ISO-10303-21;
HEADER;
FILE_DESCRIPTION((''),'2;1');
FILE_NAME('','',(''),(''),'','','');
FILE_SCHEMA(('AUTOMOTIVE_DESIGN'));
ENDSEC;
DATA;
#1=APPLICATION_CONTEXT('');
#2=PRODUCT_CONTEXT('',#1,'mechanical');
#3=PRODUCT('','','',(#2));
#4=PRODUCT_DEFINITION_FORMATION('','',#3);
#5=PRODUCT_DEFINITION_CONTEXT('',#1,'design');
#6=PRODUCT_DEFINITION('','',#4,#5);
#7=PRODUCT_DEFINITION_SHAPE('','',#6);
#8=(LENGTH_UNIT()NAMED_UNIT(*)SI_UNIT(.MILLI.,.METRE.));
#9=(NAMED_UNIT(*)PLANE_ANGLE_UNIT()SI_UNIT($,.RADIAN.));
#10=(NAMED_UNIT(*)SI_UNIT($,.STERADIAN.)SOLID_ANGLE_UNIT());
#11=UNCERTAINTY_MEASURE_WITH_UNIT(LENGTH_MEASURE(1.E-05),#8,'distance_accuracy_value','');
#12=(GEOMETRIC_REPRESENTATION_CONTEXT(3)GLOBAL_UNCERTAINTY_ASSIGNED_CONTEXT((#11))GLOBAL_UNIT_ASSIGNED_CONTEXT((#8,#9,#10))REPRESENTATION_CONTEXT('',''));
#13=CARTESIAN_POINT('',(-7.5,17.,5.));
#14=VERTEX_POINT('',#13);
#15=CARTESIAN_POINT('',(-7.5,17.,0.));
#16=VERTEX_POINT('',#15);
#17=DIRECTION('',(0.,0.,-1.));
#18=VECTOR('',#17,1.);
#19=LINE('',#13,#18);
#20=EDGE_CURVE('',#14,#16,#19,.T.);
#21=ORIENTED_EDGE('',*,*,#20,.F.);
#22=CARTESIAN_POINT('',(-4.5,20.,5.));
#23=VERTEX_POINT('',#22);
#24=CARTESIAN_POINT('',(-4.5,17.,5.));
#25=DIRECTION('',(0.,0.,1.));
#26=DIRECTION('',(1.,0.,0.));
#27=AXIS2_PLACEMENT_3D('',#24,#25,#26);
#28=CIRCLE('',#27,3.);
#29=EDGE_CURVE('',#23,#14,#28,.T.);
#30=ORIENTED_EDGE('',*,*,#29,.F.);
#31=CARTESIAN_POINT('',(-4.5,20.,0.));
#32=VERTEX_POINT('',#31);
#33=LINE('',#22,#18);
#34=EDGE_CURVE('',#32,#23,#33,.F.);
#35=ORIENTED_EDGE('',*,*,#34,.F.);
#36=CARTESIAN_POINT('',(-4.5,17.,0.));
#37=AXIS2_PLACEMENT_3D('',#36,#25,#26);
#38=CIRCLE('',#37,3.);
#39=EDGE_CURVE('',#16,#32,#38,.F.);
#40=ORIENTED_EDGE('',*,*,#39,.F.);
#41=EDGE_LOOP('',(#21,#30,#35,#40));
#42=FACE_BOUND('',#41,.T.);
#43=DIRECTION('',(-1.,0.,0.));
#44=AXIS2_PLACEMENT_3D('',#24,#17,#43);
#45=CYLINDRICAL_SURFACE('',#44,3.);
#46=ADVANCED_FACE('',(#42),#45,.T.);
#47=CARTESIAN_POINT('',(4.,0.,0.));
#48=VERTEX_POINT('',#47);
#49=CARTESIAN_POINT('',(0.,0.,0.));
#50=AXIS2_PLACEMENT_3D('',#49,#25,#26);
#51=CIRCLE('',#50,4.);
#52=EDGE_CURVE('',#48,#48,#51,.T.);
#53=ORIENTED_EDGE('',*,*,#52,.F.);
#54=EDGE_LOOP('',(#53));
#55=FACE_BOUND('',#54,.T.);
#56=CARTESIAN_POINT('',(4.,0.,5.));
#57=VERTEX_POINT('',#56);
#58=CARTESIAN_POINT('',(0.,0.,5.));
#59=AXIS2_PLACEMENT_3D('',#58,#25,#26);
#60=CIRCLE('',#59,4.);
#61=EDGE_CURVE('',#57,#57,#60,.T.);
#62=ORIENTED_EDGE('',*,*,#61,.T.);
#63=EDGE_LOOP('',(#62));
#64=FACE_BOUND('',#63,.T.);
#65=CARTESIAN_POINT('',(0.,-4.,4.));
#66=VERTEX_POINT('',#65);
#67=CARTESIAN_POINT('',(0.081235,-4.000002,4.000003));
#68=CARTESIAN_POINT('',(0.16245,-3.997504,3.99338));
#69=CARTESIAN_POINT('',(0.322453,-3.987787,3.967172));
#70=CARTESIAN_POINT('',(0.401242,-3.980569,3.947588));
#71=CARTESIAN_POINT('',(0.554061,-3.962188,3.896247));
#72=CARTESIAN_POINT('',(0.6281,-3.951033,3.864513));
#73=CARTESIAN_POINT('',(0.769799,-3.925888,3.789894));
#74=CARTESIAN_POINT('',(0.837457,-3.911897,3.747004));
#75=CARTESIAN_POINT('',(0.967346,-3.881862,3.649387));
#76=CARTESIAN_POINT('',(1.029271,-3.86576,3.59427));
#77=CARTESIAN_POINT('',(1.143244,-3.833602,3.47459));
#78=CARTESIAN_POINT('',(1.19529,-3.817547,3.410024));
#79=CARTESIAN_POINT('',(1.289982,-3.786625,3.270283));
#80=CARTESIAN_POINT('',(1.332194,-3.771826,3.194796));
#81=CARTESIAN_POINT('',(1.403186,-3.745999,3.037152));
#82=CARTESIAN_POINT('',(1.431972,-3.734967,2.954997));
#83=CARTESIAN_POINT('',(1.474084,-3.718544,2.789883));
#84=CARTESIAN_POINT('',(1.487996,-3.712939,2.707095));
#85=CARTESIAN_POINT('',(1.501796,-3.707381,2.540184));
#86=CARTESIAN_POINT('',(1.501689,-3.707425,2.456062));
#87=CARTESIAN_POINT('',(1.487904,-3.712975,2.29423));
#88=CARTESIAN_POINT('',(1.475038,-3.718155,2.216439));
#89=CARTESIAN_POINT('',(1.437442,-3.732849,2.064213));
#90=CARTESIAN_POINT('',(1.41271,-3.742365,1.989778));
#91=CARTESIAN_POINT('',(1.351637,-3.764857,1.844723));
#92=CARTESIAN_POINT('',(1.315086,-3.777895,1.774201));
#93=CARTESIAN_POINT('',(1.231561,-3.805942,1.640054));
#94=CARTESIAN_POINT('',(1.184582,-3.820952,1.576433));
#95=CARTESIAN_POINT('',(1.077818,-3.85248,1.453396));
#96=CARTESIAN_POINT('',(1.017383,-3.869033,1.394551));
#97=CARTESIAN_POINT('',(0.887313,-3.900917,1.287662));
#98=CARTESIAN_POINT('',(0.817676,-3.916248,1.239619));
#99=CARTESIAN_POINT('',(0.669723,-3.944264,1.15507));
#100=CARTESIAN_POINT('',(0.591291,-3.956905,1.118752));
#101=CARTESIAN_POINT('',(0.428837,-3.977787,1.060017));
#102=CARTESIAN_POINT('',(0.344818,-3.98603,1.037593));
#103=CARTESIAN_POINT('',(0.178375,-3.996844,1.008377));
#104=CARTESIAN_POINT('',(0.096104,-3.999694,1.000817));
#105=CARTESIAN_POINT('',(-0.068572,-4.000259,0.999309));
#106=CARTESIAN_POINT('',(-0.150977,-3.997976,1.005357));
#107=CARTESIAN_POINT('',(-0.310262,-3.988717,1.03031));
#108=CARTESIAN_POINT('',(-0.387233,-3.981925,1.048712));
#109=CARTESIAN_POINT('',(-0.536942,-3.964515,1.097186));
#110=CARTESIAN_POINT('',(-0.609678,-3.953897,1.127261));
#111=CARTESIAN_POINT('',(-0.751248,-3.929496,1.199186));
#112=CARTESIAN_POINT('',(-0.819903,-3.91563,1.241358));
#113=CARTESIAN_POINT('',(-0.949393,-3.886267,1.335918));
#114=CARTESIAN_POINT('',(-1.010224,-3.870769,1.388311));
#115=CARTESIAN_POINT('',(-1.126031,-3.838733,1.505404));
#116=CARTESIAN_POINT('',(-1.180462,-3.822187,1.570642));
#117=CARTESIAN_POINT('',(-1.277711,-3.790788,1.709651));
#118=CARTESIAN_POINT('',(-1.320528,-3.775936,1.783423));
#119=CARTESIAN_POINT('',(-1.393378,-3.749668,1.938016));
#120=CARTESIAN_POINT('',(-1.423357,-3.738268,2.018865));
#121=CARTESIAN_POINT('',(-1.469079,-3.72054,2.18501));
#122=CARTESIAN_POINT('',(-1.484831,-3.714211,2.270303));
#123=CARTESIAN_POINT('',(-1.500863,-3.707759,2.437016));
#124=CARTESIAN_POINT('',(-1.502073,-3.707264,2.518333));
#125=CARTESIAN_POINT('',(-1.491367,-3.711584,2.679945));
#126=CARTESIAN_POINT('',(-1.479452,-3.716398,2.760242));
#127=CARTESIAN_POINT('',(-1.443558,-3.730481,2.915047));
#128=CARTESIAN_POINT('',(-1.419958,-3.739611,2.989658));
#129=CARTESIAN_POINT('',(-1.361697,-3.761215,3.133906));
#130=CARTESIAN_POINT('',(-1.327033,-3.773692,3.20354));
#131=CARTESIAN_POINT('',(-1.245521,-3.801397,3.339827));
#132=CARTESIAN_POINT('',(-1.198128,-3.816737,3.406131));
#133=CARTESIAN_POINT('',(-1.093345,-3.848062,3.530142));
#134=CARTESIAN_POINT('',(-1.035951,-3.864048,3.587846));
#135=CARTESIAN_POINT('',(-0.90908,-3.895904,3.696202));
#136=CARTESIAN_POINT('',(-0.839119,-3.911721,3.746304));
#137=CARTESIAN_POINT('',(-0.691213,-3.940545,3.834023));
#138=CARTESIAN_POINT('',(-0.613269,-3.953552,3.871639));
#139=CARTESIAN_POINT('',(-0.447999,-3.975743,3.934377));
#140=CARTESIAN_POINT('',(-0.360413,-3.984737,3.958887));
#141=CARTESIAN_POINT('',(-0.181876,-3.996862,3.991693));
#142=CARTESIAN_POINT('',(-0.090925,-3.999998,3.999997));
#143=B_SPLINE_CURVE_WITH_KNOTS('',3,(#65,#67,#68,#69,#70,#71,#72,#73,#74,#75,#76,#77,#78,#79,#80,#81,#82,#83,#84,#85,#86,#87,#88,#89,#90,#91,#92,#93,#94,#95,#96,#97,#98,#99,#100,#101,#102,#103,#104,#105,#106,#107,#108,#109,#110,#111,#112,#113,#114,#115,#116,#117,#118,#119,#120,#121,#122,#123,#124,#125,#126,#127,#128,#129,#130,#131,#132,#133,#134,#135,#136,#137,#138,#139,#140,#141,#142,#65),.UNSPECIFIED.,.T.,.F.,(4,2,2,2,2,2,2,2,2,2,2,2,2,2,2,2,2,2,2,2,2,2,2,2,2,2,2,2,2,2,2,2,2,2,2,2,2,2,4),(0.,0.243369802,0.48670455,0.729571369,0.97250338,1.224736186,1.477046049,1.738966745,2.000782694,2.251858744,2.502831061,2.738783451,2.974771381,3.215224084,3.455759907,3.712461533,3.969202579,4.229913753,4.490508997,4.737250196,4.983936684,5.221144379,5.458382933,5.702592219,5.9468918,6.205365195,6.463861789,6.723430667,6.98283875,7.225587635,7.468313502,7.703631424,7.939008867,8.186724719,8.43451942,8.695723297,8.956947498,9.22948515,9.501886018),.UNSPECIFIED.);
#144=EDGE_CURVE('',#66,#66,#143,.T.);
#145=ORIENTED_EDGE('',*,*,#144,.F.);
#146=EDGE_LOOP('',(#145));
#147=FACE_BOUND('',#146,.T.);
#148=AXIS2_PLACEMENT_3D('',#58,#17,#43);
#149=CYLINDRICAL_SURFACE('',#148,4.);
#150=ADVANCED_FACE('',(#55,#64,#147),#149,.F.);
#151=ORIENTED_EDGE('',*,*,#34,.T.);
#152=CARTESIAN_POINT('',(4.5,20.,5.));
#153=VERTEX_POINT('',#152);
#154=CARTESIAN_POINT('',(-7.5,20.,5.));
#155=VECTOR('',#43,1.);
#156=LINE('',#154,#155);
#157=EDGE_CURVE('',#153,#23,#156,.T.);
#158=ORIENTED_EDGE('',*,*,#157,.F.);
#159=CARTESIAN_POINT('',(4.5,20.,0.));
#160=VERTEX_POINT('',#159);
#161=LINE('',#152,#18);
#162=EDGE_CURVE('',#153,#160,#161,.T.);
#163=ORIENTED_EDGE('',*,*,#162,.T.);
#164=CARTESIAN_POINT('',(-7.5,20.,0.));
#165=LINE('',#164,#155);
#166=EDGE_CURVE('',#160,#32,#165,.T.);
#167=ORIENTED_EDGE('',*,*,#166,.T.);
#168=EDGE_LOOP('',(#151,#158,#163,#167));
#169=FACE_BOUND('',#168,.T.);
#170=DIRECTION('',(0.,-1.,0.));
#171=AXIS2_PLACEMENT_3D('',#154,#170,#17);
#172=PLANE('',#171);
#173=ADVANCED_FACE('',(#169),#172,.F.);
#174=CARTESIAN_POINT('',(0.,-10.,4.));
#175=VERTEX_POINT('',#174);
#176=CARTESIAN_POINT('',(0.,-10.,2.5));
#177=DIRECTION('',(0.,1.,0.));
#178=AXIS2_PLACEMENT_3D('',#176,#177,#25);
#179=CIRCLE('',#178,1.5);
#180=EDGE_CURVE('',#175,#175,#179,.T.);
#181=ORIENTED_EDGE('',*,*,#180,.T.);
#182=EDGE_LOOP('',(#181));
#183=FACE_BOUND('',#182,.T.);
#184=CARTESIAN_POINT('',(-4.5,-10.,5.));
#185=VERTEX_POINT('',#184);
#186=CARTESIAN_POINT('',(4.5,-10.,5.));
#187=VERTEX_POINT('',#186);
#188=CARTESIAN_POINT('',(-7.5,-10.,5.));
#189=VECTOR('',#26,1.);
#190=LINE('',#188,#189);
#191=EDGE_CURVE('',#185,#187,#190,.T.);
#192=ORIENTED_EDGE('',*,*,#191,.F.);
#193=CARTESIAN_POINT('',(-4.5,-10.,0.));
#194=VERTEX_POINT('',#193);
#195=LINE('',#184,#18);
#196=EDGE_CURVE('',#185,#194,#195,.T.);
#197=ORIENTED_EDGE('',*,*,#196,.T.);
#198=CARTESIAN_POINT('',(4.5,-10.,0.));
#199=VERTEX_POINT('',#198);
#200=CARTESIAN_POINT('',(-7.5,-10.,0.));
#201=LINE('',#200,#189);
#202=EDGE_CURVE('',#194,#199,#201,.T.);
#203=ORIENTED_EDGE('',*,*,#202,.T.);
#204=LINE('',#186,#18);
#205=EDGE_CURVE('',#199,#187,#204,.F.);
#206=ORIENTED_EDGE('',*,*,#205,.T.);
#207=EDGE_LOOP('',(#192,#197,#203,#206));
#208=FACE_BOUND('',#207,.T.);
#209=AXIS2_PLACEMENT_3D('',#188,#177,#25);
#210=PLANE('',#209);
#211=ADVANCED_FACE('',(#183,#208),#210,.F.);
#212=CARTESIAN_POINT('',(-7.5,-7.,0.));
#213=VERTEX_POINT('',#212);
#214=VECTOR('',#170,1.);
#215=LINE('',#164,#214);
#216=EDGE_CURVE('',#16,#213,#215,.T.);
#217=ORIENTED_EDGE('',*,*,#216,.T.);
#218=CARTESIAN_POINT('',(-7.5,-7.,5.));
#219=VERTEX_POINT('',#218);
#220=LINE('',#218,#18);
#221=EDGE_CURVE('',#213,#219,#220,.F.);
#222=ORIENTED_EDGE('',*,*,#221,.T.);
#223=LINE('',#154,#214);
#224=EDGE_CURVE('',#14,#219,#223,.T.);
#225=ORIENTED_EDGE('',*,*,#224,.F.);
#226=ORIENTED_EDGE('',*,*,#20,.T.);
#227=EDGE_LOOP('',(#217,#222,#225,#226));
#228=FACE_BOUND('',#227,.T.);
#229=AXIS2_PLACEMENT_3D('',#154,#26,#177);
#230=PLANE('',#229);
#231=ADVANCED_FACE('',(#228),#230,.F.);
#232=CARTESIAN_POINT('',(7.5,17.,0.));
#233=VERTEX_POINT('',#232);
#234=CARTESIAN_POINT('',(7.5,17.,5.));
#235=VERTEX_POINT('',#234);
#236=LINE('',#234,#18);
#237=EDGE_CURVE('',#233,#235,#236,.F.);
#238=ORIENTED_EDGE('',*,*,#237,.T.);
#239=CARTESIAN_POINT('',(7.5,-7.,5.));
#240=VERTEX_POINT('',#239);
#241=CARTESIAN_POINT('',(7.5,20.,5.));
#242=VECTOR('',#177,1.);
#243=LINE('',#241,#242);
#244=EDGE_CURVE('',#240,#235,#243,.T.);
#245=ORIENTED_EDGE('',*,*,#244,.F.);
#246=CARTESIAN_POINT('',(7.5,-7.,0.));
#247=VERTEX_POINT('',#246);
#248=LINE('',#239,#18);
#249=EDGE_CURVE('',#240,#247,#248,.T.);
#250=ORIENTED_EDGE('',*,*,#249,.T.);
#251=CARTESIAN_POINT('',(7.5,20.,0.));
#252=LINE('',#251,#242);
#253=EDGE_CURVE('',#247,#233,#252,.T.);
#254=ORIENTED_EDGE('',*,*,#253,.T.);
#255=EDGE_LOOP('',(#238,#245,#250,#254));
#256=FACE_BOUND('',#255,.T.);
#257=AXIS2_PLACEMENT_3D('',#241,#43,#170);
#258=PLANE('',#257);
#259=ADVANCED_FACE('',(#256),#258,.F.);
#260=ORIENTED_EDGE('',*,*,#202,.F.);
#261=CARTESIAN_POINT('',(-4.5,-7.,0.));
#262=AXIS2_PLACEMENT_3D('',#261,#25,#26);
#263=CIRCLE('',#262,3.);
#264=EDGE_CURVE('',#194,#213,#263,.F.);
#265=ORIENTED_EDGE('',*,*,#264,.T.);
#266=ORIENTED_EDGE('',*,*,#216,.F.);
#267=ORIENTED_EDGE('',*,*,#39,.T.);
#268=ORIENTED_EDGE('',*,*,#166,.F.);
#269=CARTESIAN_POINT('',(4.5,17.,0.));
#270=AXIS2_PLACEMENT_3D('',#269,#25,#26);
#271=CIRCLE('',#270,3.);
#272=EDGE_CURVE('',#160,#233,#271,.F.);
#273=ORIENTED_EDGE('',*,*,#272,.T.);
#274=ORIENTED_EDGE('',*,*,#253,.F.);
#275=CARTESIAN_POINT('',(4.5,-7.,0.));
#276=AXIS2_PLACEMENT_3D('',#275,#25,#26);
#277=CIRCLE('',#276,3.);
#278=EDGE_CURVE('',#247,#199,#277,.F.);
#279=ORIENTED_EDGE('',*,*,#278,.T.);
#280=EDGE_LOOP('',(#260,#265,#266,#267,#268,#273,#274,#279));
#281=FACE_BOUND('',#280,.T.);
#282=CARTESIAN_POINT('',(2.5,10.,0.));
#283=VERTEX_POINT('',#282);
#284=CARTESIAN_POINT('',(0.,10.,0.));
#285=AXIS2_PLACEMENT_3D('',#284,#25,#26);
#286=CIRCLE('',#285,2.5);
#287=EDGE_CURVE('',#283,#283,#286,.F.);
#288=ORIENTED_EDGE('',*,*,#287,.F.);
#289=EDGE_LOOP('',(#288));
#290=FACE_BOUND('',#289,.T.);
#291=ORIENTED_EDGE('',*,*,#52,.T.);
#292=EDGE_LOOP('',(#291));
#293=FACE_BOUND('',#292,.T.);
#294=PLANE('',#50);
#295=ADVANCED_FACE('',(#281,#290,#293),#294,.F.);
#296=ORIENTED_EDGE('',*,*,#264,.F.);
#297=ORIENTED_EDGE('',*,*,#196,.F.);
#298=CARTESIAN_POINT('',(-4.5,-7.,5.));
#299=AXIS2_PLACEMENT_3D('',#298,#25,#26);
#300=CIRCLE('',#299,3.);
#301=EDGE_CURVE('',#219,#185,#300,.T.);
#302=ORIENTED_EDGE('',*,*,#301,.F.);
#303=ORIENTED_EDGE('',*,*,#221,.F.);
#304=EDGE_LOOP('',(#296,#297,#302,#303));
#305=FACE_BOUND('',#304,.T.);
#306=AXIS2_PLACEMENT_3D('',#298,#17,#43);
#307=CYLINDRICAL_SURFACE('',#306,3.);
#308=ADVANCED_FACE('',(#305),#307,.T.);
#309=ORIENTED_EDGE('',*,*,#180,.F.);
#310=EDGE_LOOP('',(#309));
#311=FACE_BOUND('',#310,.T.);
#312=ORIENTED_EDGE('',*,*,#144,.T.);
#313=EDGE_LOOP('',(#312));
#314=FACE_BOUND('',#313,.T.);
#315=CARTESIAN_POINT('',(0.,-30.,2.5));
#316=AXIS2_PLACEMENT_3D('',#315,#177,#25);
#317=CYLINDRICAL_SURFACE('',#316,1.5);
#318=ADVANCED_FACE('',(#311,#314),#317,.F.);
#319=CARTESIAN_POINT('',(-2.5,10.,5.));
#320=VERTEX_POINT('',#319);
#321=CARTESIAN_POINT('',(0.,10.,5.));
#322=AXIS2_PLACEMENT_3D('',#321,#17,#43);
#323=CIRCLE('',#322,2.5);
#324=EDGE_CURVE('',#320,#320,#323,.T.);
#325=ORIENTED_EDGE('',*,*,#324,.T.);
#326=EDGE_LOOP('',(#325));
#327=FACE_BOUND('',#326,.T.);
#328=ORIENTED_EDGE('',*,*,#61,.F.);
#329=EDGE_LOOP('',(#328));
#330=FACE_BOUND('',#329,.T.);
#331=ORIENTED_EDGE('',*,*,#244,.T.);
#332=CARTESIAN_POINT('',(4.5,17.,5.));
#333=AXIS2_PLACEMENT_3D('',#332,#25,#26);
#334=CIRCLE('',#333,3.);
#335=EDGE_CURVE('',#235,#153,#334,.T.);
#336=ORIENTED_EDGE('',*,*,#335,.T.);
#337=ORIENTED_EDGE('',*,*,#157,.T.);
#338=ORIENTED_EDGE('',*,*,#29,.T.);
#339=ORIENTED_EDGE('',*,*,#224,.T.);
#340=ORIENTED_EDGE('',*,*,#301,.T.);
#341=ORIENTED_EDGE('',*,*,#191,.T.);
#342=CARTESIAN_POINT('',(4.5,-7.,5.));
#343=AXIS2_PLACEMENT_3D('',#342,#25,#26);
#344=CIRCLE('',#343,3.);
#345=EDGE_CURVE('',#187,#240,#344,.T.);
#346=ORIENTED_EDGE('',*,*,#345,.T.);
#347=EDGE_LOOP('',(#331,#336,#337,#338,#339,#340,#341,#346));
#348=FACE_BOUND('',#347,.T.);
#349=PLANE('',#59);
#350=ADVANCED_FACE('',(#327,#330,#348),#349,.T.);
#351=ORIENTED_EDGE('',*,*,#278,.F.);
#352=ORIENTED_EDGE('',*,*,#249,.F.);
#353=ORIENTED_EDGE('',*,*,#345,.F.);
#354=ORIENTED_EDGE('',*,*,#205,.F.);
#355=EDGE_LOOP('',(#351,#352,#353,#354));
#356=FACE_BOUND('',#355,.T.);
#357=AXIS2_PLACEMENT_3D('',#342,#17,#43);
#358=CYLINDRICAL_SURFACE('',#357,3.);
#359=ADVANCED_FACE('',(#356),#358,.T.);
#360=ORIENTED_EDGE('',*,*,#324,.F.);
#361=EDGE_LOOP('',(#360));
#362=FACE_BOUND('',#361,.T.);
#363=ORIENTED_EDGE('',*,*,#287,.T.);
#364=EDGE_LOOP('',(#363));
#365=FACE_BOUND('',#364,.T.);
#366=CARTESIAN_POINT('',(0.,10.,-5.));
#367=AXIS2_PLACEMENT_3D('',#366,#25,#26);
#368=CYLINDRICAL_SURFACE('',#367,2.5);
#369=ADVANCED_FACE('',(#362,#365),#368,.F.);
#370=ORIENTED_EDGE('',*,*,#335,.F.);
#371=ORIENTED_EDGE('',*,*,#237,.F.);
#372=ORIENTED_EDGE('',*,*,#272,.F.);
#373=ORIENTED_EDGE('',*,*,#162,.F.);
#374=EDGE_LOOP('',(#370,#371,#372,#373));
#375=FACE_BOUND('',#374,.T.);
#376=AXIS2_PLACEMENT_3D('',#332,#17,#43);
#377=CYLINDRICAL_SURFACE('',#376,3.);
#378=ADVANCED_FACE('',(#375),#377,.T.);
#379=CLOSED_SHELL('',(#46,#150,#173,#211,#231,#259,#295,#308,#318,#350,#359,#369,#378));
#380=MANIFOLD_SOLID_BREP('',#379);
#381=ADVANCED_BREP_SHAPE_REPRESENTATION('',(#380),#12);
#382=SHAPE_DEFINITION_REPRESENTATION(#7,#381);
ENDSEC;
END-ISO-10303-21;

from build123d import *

# Parameters (mm, degrees)
SKETCH1_W           = 15
SKETCH1_H           = 30
SKETCH1_R           = 4
BOSS_EXTRUDE1_DEPTH = 5
SKETCH3_R           = 1.5
CUT_EXTRUDE1_DEPTH  = 30
SKETCH2_R           = 2.5
CUT_EXTRUDE2_DEPTH  = 10
FILLET1_R           = 3


with BuildPart() as part:
    # Sketch1 → Boss-Extrude1 (new body)
    with BuildSketch(Plane.XY):
        with Locations((0, 5)):
            Rectangle(SKETCH1_W, SKETCH1_H)
        Circle(SKETCH1_R, mode=Mode.SUBTRACT)
    extrude(amount=BOSS_EXTRUDE1_DEPTH)

    # Sketch3 → Cut-Extrude1 (cut)
    with BuildSketch(Plane(origin=(0, 0, 0), x_dir=(0, 0, -1), z_dir=(0, 1, 0))):
        with Locations(Location((-2.5, 0, 0), (0, 0, 180))):
            Circle(SKETCH3_R)
    extrude(amount=-CUT_EXTRUDE1_DEPTH, mode=Mode.SUBTRACT)

    # Sketch2 → Cut-Extrude2 (cut)
    with BuildSketch(Plane(origin=(0, -24.379216841, 5), x_dir=(1, 0, 0), z_dir=(0, 0, -1))):
        with Locations((0, -34.379216841)):
            Circle(SKETCH2_R)
    extrude(amount=CUT_EXTRUDE2_DEPTH, mode=Mode.SUBTRACT)

    # Fillet1
    fillet1_edges = [part.edges().sort_by_distance(p)[0] for p in [
        (-7.5, 20, 2.5),
        (7.5, 20, 2.5),
        (7.5, -10, 2.5),
        (-7.5, -10, 2.5),
    ]]
    fillet(fillet1_edges, radius=FILLET1_R)


solid = part.part
